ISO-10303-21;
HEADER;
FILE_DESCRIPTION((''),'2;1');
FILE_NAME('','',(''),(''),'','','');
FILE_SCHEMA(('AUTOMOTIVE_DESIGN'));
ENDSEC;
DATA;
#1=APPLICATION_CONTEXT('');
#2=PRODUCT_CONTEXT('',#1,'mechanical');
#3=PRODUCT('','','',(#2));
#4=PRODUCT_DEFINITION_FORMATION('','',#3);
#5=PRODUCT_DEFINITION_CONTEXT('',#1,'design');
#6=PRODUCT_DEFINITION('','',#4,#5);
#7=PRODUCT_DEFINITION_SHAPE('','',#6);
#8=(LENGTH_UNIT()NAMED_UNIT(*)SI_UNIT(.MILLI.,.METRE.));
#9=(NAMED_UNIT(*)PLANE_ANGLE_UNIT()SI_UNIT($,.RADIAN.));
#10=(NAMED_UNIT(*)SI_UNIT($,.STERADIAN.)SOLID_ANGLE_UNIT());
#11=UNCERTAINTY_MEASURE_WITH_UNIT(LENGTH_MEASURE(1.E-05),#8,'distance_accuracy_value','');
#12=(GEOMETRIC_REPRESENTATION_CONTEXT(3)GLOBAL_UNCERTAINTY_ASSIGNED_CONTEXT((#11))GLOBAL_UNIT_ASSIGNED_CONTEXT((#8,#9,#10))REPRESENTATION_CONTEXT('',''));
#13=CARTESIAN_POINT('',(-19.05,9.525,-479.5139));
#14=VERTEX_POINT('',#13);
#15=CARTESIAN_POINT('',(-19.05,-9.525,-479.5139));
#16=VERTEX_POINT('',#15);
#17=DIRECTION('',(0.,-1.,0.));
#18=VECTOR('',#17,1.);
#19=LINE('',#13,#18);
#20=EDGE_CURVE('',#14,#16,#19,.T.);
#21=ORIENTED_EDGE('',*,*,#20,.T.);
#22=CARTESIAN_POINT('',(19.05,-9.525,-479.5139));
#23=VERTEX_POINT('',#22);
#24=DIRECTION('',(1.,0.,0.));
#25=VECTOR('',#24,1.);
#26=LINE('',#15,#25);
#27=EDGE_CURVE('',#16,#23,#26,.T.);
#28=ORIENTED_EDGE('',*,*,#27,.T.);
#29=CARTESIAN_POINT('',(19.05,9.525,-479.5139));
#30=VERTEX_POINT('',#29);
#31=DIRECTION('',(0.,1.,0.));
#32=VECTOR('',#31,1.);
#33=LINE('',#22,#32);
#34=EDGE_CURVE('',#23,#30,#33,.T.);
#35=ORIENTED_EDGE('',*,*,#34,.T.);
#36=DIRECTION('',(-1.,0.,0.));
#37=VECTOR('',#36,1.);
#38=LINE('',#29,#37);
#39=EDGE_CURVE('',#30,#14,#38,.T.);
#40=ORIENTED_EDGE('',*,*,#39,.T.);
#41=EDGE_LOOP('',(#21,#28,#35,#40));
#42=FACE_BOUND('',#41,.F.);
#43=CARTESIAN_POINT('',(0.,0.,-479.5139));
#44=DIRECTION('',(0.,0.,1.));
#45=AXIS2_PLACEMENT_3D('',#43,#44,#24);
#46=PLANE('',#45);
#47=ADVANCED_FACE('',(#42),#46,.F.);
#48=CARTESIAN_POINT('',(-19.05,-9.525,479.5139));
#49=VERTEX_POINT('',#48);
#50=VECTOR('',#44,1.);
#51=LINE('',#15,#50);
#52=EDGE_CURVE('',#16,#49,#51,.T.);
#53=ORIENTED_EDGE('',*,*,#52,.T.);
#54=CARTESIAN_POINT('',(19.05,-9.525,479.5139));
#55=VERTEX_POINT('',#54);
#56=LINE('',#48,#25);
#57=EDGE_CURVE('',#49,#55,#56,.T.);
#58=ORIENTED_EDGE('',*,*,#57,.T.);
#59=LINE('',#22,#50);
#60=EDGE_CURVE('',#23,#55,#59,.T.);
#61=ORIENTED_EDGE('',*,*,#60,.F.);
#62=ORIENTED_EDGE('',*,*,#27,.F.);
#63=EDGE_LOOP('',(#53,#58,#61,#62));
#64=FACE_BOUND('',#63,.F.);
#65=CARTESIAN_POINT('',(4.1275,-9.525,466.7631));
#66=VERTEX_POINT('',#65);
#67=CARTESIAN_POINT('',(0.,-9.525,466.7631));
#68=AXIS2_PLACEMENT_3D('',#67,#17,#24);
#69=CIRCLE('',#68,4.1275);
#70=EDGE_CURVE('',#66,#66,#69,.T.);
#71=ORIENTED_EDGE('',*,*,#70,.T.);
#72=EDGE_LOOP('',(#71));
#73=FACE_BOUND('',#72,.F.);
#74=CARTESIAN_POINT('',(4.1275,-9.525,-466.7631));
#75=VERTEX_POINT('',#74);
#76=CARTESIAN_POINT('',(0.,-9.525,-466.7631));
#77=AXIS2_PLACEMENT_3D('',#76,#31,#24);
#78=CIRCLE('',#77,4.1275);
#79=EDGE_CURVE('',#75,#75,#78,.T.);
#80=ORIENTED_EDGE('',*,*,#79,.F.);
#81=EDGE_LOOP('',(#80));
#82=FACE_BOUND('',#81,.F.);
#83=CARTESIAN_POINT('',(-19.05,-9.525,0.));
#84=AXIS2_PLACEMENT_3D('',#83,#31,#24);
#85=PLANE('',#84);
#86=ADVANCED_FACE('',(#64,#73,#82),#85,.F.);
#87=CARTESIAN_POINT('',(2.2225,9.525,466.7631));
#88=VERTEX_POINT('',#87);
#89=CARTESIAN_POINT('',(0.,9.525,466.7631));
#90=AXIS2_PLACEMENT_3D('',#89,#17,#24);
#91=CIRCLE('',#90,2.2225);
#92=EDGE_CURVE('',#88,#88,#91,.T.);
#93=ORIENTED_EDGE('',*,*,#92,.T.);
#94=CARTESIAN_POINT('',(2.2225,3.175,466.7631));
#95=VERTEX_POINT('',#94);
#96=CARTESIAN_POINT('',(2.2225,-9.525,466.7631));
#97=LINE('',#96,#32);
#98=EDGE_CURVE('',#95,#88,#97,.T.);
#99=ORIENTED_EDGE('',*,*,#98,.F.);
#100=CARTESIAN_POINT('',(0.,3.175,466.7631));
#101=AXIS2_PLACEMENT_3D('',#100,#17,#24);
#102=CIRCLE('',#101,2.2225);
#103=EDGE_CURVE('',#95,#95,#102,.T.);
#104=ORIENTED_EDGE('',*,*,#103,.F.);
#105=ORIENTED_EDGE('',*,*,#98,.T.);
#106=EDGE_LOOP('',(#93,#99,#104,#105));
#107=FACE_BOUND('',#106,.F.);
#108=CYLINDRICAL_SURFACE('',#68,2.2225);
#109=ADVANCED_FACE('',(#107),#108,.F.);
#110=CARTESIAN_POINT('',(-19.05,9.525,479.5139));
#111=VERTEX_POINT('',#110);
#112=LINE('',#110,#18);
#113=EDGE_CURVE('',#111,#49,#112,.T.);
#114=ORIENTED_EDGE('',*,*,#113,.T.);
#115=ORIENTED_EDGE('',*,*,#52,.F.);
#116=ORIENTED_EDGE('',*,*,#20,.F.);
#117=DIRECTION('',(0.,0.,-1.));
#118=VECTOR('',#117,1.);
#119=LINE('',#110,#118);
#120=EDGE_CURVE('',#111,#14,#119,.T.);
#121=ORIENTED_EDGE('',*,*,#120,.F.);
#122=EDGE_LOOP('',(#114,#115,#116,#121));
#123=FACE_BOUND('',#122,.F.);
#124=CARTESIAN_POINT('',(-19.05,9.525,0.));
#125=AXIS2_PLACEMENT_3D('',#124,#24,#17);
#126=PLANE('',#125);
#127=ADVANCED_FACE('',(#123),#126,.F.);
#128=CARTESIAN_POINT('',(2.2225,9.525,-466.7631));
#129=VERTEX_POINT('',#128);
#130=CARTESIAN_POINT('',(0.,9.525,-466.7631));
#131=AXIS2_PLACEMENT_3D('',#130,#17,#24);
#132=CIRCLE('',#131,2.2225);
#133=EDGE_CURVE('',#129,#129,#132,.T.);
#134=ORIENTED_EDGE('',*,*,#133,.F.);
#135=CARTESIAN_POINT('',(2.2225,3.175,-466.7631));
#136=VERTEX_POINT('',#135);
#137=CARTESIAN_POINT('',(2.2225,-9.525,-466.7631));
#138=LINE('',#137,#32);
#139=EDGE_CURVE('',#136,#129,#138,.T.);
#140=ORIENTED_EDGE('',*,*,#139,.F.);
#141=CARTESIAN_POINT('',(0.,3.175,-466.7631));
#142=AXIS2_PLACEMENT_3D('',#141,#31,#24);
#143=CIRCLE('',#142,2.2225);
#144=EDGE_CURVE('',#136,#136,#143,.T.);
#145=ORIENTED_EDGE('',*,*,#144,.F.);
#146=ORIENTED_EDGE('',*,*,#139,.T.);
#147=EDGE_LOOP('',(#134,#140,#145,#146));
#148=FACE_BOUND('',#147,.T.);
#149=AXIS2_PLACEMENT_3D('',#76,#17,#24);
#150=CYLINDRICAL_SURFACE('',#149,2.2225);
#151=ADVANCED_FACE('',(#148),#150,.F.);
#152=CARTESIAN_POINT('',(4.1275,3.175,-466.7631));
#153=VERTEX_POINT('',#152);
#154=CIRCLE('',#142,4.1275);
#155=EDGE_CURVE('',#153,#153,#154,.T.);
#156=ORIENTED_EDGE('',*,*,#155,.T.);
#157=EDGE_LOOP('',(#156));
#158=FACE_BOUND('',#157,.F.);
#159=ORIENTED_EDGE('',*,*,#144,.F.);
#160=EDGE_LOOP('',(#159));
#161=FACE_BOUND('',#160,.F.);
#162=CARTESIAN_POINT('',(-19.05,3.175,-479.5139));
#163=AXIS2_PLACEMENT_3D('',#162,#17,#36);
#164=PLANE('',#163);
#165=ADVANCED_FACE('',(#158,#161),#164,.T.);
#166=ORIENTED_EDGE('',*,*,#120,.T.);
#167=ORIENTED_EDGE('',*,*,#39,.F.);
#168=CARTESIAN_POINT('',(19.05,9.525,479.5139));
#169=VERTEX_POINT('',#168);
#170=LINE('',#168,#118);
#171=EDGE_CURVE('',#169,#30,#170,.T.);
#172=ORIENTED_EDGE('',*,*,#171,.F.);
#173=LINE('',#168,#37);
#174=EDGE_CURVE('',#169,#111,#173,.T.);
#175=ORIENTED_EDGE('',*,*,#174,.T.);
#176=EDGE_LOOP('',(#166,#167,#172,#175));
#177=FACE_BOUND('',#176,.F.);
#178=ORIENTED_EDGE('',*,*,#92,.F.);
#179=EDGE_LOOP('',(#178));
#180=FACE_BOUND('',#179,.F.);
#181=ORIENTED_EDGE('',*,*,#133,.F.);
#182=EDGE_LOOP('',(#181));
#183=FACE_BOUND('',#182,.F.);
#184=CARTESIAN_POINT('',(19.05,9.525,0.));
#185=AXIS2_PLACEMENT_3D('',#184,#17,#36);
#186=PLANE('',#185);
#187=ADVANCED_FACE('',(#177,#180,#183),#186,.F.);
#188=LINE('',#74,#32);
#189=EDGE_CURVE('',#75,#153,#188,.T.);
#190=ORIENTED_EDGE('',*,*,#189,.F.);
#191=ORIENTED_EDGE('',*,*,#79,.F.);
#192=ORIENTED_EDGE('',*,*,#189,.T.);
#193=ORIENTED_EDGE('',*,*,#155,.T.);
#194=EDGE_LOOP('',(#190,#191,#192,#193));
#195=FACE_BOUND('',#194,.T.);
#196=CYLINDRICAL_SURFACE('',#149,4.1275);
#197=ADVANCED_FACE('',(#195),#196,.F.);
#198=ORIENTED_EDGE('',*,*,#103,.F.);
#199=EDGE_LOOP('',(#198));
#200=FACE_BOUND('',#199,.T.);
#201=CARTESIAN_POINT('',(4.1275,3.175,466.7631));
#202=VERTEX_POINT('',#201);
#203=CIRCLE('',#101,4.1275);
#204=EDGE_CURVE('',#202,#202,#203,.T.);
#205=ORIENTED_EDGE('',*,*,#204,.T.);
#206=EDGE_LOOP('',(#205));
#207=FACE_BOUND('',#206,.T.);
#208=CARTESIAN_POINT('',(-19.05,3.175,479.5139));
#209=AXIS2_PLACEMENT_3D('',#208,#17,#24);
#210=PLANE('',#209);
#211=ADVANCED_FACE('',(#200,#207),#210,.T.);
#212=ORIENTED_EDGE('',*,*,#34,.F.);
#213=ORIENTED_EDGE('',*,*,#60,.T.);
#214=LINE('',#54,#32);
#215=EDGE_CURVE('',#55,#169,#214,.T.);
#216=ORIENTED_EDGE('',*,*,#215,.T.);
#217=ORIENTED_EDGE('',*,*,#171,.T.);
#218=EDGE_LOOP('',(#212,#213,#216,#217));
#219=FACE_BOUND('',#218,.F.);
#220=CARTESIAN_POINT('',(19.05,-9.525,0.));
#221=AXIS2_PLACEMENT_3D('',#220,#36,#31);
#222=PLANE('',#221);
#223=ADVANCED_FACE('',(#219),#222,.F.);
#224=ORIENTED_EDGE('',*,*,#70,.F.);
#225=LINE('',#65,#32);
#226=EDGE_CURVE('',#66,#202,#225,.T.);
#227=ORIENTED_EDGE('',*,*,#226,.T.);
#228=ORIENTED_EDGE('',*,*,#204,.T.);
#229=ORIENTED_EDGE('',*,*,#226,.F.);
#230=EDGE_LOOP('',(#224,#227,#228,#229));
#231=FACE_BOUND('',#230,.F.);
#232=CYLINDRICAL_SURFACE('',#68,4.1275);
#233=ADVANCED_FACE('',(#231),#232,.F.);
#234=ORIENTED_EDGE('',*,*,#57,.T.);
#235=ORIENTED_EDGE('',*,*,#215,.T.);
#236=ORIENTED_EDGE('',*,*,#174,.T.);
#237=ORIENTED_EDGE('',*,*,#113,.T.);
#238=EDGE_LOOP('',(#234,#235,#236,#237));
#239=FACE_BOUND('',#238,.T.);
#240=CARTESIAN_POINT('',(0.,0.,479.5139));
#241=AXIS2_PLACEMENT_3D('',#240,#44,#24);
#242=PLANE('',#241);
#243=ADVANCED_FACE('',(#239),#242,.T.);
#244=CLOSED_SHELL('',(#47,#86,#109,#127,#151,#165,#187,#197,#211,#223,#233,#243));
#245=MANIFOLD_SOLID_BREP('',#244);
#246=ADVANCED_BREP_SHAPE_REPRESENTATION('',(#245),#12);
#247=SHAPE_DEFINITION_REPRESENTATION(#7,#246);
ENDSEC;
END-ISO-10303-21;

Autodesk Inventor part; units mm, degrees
ref_plane "YZ Plane" through (0, 0, 0) normal (1, 0, 0) x (0, 1, 0)
ref_plane "XZ Plane" through (0, 0, 0) normal (0, 1, 0) x (-1, 0, 0)
ref_plane "XY Plane" through (0, 0, 0) normal (0, 0, 1) x (1, 0, 0)
sketch "Sketch1" plane through (0, 0, 0) normal (0, 0, 1) x (1, 0, 0)
  line L0 (-19.05, -9.525) -> (19.05, -9.525)
  line L1 (19.05, -9.525) -> (19.05, 9.525)
  line L2 (19.05, 9.525) -> (-19.05, 9.525)
  line L3 (-19.05, 9.525) -> (-19.05, -9.525)
  line L4 (-19.05, -9.525) -> (19.05, 9.525) construction
  line L5 (19.05, -9.525) -> (-19.05, 9.525) construction
  point P0 (0, 0)
  dimension "d0" = 38.1
  dimension "d1" = 19.05
extrude "Extrusion1" add sketch "Sketch1" along normal mid plane 959.0278
sketch "Sketch2" plane through (-19.05, -9.525, 479.5139) normal (0, -1, 0) x (1, 0, 0)
  circle A0 centre (19.05, -12.7508) radius 2.2225
  line L0 (0, 0) -> (38.1, 0) projected
  line L1 (0, 0) -> (0, -959.0278) projected
  point P0 (19.05, -479.5139)
  dimension "d4" = 4.445
  dimension "d5" = 12.7508
  dimension "d6" = 19.05
extrude "Extrusion2" cut sketch "Sketch2" against normal blind 25.4
sketch "Sketch3" plane through (-19.05, -9.525, 479.5139) normal (0, -1, 0) x (1, 0, 0)
  circle A0 centre (19.05, -12.7508) radius 2.2225 projected
  circle A1 centre (19.05, -12.7508) radius 4.1275
  point P0 (19.05, -479.5139)
  dimension "d9" = 8.255
extrude "Extrusion3" cut sketch "Sketch3" against normal blind 12.7
mirror "Mirror1" about plane through (0, 0, 0) normal (0, 0, 1) of "Extrusion2", "Extrusion3"
properties part number "1x2 Longitudinal" material "Wood (Birch)"
